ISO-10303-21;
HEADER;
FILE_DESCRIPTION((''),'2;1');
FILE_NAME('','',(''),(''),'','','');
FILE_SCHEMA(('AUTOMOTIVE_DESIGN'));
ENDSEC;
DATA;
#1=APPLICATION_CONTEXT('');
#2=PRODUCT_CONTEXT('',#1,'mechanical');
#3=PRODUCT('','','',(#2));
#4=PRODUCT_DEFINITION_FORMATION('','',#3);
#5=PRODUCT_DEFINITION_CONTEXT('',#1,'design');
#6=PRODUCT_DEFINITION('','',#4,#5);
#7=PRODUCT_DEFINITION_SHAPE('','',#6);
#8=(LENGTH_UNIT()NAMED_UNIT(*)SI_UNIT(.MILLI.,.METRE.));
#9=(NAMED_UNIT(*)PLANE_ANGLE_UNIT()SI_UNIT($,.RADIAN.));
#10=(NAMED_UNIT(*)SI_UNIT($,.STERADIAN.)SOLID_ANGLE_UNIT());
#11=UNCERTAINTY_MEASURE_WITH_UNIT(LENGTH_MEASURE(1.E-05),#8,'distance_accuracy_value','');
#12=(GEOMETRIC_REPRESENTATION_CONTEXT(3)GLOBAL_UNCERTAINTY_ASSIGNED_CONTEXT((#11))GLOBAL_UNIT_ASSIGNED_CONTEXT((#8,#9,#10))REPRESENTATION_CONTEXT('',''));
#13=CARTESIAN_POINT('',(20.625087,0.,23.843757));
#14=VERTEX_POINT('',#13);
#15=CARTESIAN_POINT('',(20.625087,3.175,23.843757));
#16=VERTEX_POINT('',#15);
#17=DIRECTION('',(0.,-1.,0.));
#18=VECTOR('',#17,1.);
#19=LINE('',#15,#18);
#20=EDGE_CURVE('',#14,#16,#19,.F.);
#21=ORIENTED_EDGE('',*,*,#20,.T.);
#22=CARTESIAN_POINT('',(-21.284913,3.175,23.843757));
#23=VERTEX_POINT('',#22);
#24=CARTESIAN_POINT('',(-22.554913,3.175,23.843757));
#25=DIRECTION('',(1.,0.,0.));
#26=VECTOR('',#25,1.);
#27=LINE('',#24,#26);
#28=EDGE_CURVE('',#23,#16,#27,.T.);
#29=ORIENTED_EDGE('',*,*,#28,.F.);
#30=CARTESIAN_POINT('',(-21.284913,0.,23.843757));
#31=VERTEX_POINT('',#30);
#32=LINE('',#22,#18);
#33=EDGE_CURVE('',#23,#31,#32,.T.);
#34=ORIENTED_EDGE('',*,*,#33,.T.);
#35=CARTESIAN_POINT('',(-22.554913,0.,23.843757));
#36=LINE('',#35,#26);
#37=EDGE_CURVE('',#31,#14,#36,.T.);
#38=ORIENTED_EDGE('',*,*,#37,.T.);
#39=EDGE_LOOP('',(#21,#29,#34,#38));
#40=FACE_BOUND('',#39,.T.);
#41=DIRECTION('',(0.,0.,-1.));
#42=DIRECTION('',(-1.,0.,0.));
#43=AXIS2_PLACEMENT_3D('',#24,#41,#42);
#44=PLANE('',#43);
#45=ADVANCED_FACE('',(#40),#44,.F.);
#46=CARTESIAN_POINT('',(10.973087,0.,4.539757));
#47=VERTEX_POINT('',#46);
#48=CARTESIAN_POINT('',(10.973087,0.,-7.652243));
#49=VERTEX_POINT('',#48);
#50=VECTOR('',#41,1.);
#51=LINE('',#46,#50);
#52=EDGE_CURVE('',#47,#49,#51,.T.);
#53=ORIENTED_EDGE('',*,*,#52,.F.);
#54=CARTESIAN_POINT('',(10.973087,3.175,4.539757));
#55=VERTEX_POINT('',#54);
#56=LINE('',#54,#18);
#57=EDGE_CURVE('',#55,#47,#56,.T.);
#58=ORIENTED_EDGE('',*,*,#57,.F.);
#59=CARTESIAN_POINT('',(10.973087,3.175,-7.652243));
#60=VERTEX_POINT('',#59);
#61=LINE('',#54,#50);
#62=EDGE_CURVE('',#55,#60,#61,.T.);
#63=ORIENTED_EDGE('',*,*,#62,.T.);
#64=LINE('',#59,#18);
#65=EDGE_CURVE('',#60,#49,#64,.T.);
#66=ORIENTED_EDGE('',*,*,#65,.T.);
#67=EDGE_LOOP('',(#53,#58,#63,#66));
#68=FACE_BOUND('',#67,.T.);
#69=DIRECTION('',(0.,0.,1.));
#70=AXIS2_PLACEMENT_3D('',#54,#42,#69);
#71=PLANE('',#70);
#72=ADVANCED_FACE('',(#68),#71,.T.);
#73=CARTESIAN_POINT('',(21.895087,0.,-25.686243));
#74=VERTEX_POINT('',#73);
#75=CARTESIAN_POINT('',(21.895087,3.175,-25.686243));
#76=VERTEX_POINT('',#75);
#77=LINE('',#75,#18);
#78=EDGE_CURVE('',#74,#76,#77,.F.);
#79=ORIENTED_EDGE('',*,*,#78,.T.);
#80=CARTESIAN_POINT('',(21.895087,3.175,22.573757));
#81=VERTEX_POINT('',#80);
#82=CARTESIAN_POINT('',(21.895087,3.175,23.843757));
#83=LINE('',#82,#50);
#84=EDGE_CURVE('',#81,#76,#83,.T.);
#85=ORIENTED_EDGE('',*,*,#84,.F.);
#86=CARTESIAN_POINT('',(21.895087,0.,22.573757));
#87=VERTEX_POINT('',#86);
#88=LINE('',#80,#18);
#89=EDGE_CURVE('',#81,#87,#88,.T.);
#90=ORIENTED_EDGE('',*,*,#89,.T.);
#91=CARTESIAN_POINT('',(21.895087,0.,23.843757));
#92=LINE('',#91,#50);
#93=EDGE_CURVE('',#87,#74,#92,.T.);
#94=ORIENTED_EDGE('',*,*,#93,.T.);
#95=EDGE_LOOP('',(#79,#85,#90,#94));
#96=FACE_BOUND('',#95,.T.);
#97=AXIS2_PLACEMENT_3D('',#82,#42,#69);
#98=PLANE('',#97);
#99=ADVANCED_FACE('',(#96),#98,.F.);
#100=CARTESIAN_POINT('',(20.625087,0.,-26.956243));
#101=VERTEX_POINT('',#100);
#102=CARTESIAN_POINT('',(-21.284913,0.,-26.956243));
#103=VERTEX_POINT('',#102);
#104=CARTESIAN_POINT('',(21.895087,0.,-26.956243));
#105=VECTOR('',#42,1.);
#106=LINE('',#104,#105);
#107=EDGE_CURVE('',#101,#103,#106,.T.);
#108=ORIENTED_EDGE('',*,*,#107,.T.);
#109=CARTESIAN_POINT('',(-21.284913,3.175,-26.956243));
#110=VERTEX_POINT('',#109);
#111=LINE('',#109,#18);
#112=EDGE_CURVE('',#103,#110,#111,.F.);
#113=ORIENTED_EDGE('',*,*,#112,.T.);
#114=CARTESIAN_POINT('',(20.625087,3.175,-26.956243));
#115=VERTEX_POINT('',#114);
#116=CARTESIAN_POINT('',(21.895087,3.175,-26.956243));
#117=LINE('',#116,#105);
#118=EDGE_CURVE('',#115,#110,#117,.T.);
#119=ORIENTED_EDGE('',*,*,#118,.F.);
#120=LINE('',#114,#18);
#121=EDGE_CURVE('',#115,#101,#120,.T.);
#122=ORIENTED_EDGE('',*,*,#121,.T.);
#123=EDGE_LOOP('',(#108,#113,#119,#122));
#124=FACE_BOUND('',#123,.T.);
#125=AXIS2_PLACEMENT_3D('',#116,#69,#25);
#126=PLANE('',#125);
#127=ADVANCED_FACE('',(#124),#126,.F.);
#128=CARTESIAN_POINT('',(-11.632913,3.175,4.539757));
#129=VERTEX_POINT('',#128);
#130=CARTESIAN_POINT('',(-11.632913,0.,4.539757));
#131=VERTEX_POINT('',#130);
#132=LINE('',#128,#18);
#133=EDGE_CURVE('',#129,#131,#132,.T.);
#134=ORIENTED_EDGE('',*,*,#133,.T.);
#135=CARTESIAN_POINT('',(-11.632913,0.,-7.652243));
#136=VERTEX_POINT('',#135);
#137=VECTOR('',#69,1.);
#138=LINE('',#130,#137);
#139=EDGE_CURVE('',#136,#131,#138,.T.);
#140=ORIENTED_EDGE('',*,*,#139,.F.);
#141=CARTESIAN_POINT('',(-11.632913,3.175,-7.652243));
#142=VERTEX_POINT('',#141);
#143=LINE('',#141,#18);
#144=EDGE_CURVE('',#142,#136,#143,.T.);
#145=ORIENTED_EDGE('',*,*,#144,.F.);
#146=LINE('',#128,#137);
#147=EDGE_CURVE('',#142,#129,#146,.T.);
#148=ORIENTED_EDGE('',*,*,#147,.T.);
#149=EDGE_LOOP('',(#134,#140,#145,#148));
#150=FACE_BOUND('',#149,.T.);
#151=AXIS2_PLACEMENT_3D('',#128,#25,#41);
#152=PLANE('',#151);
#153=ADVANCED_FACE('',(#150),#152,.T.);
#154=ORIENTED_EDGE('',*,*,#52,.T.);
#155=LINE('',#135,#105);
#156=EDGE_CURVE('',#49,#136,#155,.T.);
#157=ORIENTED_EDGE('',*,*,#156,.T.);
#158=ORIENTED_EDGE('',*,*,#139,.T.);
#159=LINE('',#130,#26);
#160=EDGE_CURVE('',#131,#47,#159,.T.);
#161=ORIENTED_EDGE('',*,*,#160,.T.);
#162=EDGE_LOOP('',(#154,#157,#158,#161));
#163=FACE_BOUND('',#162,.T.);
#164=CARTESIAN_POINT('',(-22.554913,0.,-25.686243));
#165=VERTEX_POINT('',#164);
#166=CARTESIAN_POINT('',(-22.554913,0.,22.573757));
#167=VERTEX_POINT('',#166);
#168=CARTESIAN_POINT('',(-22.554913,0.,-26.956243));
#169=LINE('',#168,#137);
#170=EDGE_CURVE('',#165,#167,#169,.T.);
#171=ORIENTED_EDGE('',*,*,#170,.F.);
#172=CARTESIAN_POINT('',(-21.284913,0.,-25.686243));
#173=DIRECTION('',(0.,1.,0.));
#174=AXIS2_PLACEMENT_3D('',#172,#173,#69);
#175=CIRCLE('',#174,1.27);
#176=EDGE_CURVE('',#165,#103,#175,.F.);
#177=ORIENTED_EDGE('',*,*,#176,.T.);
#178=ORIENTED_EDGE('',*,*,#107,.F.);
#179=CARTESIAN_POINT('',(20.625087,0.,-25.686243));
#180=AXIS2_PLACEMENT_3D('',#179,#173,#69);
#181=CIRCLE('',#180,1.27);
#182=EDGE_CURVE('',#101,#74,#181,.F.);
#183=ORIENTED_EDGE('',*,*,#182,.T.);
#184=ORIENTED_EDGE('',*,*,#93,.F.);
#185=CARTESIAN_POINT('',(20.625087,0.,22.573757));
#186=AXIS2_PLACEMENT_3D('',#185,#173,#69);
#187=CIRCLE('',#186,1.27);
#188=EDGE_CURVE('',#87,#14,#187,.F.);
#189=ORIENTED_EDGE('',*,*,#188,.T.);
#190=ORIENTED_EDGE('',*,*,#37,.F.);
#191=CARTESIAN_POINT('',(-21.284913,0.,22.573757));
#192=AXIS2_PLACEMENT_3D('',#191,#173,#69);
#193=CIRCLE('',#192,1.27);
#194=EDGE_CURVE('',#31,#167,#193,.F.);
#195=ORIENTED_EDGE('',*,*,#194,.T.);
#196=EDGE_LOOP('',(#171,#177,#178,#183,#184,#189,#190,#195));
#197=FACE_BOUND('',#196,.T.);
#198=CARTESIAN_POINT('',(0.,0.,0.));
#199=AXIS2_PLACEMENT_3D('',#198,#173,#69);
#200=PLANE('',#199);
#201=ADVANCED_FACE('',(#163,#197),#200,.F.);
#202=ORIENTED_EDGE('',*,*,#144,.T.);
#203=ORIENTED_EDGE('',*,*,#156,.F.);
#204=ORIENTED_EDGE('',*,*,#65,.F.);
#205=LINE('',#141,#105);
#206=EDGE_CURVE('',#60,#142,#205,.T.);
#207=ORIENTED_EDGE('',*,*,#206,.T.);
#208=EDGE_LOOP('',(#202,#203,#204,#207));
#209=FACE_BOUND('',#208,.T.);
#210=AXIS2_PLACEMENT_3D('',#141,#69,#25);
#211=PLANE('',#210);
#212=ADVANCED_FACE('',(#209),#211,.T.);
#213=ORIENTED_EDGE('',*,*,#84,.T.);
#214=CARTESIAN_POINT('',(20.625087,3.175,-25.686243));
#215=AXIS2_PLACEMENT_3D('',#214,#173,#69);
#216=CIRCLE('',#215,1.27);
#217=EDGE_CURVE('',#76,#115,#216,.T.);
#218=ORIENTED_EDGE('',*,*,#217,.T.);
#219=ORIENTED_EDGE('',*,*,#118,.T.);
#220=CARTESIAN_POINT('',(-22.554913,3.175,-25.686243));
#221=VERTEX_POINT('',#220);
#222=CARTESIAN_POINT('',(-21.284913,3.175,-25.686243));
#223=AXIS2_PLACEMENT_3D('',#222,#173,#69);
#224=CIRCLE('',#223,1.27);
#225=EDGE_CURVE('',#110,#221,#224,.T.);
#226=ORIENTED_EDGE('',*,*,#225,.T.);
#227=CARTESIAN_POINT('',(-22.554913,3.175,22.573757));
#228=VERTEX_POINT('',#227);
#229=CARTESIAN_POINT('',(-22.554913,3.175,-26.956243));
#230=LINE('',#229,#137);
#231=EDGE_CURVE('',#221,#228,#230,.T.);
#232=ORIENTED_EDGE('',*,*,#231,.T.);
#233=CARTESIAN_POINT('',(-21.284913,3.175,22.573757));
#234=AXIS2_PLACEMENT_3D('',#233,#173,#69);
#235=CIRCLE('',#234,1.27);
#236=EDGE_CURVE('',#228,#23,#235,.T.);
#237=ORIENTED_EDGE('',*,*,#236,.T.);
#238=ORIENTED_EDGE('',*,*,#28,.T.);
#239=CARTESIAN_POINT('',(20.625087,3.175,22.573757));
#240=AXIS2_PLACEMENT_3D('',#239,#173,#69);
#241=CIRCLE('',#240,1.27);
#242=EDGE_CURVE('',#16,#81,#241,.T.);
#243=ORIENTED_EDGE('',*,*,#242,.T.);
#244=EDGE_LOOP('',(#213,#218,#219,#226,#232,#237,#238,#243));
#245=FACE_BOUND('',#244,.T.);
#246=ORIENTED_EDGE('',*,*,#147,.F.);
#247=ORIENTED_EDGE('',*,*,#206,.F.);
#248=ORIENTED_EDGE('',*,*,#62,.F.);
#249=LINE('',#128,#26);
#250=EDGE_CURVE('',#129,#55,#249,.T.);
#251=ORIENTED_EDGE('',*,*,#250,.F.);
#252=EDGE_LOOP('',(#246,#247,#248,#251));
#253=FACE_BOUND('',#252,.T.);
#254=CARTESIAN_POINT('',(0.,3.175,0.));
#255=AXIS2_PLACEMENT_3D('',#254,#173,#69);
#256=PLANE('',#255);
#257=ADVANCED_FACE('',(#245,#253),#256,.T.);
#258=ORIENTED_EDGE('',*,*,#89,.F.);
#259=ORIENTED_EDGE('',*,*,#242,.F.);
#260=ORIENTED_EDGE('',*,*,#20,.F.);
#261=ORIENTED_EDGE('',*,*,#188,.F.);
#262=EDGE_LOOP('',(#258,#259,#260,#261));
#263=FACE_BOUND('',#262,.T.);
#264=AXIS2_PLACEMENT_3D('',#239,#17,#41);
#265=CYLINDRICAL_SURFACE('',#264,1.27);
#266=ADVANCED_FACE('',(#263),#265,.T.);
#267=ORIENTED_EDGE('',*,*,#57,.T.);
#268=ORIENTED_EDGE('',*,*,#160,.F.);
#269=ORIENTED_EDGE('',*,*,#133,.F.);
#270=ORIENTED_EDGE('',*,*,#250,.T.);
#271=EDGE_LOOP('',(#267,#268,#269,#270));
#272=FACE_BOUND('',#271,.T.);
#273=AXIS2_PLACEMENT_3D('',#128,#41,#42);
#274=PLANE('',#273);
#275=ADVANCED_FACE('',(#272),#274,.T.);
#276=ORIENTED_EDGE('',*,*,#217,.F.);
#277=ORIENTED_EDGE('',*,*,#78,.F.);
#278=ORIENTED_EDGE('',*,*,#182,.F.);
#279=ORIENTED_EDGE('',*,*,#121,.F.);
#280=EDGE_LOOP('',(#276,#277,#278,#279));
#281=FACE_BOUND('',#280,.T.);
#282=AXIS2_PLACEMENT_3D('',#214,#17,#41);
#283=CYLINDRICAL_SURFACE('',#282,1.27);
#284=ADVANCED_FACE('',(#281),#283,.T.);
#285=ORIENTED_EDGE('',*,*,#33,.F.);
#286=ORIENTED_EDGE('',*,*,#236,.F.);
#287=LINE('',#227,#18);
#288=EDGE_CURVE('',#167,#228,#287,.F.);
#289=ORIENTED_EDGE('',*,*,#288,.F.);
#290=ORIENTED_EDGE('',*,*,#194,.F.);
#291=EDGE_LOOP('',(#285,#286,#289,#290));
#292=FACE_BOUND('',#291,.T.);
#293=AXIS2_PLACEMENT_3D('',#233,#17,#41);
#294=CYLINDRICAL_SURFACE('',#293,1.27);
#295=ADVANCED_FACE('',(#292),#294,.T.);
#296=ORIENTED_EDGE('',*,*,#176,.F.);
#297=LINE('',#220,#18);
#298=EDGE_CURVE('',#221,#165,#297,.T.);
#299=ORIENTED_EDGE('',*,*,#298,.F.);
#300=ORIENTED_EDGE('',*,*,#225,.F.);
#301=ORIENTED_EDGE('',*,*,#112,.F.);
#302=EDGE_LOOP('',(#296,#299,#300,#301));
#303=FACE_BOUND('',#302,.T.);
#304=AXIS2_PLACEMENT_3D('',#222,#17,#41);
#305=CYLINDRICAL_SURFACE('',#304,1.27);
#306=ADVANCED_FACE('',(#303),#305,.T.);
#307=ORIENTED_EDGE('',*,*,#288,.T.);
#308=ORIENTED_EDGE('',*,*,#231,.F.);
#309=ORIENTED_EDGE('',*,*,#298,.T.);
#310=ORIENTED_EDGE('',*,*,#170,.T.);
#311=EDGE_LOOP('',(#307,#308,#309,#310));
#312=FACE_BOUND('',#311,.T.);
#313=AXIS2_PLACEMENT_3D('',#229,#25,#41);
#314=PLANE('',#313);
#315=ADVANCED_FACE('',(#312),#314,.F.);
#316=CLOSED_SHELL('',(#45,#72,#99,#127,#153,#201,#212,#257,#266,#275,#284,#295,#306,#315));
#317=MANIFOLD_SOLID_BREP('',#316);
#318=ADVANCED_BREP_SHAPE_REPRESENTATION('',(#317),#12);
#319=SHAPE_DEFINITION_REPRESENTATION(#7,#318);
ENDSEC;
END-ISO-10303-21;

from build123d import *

# Parameters (mm, degrees)
SKETCH1_W           = 44.45
SKETCH1_H           = 50.8
SKETCH1_W_2         = 22.606
SKETCH1_H_2         = 12.192
BOSS_EXTRUDE1_DEPTH = 3.175
FILLET1_R           = 1.27


with BuildPart() as part:
    # Sketch1 → Boss-Extrude1 (new body)
    with BuildSketch(Plane(origin=(0, 0, 0), x_dir=(1, 0, 0), z_dir=(0, 1, 0))):
        with Locations((-0.329912538, 1.556243023)):
            Rectangle(SKETCH1_W, SKETCH1_H)
        with Locations((-0.329912538, 1.556243023)):
            Rectangle(SKETCH1_W_2, SKETCH1_H_2, mode=Mode.SUBTRACT)
    extrude(amount=BOSS_EXTRUDE1_DEPTH)

    # Fillet1
    fillet1_edges = [part.edges().sort_by_distance(p)[0] for p in [
        (-22.554912538, 1.5875, 23.843756977),
        (-22.554912538, 1.5875, -26.956243023),
        (21.895087462, 1.5875, -26.956243023),
        (21.895087462, 1.5875, 23.843756977),
    ]]
    fillet(fillet1_edges, radius=FILLET1_R)


solid = part.part
